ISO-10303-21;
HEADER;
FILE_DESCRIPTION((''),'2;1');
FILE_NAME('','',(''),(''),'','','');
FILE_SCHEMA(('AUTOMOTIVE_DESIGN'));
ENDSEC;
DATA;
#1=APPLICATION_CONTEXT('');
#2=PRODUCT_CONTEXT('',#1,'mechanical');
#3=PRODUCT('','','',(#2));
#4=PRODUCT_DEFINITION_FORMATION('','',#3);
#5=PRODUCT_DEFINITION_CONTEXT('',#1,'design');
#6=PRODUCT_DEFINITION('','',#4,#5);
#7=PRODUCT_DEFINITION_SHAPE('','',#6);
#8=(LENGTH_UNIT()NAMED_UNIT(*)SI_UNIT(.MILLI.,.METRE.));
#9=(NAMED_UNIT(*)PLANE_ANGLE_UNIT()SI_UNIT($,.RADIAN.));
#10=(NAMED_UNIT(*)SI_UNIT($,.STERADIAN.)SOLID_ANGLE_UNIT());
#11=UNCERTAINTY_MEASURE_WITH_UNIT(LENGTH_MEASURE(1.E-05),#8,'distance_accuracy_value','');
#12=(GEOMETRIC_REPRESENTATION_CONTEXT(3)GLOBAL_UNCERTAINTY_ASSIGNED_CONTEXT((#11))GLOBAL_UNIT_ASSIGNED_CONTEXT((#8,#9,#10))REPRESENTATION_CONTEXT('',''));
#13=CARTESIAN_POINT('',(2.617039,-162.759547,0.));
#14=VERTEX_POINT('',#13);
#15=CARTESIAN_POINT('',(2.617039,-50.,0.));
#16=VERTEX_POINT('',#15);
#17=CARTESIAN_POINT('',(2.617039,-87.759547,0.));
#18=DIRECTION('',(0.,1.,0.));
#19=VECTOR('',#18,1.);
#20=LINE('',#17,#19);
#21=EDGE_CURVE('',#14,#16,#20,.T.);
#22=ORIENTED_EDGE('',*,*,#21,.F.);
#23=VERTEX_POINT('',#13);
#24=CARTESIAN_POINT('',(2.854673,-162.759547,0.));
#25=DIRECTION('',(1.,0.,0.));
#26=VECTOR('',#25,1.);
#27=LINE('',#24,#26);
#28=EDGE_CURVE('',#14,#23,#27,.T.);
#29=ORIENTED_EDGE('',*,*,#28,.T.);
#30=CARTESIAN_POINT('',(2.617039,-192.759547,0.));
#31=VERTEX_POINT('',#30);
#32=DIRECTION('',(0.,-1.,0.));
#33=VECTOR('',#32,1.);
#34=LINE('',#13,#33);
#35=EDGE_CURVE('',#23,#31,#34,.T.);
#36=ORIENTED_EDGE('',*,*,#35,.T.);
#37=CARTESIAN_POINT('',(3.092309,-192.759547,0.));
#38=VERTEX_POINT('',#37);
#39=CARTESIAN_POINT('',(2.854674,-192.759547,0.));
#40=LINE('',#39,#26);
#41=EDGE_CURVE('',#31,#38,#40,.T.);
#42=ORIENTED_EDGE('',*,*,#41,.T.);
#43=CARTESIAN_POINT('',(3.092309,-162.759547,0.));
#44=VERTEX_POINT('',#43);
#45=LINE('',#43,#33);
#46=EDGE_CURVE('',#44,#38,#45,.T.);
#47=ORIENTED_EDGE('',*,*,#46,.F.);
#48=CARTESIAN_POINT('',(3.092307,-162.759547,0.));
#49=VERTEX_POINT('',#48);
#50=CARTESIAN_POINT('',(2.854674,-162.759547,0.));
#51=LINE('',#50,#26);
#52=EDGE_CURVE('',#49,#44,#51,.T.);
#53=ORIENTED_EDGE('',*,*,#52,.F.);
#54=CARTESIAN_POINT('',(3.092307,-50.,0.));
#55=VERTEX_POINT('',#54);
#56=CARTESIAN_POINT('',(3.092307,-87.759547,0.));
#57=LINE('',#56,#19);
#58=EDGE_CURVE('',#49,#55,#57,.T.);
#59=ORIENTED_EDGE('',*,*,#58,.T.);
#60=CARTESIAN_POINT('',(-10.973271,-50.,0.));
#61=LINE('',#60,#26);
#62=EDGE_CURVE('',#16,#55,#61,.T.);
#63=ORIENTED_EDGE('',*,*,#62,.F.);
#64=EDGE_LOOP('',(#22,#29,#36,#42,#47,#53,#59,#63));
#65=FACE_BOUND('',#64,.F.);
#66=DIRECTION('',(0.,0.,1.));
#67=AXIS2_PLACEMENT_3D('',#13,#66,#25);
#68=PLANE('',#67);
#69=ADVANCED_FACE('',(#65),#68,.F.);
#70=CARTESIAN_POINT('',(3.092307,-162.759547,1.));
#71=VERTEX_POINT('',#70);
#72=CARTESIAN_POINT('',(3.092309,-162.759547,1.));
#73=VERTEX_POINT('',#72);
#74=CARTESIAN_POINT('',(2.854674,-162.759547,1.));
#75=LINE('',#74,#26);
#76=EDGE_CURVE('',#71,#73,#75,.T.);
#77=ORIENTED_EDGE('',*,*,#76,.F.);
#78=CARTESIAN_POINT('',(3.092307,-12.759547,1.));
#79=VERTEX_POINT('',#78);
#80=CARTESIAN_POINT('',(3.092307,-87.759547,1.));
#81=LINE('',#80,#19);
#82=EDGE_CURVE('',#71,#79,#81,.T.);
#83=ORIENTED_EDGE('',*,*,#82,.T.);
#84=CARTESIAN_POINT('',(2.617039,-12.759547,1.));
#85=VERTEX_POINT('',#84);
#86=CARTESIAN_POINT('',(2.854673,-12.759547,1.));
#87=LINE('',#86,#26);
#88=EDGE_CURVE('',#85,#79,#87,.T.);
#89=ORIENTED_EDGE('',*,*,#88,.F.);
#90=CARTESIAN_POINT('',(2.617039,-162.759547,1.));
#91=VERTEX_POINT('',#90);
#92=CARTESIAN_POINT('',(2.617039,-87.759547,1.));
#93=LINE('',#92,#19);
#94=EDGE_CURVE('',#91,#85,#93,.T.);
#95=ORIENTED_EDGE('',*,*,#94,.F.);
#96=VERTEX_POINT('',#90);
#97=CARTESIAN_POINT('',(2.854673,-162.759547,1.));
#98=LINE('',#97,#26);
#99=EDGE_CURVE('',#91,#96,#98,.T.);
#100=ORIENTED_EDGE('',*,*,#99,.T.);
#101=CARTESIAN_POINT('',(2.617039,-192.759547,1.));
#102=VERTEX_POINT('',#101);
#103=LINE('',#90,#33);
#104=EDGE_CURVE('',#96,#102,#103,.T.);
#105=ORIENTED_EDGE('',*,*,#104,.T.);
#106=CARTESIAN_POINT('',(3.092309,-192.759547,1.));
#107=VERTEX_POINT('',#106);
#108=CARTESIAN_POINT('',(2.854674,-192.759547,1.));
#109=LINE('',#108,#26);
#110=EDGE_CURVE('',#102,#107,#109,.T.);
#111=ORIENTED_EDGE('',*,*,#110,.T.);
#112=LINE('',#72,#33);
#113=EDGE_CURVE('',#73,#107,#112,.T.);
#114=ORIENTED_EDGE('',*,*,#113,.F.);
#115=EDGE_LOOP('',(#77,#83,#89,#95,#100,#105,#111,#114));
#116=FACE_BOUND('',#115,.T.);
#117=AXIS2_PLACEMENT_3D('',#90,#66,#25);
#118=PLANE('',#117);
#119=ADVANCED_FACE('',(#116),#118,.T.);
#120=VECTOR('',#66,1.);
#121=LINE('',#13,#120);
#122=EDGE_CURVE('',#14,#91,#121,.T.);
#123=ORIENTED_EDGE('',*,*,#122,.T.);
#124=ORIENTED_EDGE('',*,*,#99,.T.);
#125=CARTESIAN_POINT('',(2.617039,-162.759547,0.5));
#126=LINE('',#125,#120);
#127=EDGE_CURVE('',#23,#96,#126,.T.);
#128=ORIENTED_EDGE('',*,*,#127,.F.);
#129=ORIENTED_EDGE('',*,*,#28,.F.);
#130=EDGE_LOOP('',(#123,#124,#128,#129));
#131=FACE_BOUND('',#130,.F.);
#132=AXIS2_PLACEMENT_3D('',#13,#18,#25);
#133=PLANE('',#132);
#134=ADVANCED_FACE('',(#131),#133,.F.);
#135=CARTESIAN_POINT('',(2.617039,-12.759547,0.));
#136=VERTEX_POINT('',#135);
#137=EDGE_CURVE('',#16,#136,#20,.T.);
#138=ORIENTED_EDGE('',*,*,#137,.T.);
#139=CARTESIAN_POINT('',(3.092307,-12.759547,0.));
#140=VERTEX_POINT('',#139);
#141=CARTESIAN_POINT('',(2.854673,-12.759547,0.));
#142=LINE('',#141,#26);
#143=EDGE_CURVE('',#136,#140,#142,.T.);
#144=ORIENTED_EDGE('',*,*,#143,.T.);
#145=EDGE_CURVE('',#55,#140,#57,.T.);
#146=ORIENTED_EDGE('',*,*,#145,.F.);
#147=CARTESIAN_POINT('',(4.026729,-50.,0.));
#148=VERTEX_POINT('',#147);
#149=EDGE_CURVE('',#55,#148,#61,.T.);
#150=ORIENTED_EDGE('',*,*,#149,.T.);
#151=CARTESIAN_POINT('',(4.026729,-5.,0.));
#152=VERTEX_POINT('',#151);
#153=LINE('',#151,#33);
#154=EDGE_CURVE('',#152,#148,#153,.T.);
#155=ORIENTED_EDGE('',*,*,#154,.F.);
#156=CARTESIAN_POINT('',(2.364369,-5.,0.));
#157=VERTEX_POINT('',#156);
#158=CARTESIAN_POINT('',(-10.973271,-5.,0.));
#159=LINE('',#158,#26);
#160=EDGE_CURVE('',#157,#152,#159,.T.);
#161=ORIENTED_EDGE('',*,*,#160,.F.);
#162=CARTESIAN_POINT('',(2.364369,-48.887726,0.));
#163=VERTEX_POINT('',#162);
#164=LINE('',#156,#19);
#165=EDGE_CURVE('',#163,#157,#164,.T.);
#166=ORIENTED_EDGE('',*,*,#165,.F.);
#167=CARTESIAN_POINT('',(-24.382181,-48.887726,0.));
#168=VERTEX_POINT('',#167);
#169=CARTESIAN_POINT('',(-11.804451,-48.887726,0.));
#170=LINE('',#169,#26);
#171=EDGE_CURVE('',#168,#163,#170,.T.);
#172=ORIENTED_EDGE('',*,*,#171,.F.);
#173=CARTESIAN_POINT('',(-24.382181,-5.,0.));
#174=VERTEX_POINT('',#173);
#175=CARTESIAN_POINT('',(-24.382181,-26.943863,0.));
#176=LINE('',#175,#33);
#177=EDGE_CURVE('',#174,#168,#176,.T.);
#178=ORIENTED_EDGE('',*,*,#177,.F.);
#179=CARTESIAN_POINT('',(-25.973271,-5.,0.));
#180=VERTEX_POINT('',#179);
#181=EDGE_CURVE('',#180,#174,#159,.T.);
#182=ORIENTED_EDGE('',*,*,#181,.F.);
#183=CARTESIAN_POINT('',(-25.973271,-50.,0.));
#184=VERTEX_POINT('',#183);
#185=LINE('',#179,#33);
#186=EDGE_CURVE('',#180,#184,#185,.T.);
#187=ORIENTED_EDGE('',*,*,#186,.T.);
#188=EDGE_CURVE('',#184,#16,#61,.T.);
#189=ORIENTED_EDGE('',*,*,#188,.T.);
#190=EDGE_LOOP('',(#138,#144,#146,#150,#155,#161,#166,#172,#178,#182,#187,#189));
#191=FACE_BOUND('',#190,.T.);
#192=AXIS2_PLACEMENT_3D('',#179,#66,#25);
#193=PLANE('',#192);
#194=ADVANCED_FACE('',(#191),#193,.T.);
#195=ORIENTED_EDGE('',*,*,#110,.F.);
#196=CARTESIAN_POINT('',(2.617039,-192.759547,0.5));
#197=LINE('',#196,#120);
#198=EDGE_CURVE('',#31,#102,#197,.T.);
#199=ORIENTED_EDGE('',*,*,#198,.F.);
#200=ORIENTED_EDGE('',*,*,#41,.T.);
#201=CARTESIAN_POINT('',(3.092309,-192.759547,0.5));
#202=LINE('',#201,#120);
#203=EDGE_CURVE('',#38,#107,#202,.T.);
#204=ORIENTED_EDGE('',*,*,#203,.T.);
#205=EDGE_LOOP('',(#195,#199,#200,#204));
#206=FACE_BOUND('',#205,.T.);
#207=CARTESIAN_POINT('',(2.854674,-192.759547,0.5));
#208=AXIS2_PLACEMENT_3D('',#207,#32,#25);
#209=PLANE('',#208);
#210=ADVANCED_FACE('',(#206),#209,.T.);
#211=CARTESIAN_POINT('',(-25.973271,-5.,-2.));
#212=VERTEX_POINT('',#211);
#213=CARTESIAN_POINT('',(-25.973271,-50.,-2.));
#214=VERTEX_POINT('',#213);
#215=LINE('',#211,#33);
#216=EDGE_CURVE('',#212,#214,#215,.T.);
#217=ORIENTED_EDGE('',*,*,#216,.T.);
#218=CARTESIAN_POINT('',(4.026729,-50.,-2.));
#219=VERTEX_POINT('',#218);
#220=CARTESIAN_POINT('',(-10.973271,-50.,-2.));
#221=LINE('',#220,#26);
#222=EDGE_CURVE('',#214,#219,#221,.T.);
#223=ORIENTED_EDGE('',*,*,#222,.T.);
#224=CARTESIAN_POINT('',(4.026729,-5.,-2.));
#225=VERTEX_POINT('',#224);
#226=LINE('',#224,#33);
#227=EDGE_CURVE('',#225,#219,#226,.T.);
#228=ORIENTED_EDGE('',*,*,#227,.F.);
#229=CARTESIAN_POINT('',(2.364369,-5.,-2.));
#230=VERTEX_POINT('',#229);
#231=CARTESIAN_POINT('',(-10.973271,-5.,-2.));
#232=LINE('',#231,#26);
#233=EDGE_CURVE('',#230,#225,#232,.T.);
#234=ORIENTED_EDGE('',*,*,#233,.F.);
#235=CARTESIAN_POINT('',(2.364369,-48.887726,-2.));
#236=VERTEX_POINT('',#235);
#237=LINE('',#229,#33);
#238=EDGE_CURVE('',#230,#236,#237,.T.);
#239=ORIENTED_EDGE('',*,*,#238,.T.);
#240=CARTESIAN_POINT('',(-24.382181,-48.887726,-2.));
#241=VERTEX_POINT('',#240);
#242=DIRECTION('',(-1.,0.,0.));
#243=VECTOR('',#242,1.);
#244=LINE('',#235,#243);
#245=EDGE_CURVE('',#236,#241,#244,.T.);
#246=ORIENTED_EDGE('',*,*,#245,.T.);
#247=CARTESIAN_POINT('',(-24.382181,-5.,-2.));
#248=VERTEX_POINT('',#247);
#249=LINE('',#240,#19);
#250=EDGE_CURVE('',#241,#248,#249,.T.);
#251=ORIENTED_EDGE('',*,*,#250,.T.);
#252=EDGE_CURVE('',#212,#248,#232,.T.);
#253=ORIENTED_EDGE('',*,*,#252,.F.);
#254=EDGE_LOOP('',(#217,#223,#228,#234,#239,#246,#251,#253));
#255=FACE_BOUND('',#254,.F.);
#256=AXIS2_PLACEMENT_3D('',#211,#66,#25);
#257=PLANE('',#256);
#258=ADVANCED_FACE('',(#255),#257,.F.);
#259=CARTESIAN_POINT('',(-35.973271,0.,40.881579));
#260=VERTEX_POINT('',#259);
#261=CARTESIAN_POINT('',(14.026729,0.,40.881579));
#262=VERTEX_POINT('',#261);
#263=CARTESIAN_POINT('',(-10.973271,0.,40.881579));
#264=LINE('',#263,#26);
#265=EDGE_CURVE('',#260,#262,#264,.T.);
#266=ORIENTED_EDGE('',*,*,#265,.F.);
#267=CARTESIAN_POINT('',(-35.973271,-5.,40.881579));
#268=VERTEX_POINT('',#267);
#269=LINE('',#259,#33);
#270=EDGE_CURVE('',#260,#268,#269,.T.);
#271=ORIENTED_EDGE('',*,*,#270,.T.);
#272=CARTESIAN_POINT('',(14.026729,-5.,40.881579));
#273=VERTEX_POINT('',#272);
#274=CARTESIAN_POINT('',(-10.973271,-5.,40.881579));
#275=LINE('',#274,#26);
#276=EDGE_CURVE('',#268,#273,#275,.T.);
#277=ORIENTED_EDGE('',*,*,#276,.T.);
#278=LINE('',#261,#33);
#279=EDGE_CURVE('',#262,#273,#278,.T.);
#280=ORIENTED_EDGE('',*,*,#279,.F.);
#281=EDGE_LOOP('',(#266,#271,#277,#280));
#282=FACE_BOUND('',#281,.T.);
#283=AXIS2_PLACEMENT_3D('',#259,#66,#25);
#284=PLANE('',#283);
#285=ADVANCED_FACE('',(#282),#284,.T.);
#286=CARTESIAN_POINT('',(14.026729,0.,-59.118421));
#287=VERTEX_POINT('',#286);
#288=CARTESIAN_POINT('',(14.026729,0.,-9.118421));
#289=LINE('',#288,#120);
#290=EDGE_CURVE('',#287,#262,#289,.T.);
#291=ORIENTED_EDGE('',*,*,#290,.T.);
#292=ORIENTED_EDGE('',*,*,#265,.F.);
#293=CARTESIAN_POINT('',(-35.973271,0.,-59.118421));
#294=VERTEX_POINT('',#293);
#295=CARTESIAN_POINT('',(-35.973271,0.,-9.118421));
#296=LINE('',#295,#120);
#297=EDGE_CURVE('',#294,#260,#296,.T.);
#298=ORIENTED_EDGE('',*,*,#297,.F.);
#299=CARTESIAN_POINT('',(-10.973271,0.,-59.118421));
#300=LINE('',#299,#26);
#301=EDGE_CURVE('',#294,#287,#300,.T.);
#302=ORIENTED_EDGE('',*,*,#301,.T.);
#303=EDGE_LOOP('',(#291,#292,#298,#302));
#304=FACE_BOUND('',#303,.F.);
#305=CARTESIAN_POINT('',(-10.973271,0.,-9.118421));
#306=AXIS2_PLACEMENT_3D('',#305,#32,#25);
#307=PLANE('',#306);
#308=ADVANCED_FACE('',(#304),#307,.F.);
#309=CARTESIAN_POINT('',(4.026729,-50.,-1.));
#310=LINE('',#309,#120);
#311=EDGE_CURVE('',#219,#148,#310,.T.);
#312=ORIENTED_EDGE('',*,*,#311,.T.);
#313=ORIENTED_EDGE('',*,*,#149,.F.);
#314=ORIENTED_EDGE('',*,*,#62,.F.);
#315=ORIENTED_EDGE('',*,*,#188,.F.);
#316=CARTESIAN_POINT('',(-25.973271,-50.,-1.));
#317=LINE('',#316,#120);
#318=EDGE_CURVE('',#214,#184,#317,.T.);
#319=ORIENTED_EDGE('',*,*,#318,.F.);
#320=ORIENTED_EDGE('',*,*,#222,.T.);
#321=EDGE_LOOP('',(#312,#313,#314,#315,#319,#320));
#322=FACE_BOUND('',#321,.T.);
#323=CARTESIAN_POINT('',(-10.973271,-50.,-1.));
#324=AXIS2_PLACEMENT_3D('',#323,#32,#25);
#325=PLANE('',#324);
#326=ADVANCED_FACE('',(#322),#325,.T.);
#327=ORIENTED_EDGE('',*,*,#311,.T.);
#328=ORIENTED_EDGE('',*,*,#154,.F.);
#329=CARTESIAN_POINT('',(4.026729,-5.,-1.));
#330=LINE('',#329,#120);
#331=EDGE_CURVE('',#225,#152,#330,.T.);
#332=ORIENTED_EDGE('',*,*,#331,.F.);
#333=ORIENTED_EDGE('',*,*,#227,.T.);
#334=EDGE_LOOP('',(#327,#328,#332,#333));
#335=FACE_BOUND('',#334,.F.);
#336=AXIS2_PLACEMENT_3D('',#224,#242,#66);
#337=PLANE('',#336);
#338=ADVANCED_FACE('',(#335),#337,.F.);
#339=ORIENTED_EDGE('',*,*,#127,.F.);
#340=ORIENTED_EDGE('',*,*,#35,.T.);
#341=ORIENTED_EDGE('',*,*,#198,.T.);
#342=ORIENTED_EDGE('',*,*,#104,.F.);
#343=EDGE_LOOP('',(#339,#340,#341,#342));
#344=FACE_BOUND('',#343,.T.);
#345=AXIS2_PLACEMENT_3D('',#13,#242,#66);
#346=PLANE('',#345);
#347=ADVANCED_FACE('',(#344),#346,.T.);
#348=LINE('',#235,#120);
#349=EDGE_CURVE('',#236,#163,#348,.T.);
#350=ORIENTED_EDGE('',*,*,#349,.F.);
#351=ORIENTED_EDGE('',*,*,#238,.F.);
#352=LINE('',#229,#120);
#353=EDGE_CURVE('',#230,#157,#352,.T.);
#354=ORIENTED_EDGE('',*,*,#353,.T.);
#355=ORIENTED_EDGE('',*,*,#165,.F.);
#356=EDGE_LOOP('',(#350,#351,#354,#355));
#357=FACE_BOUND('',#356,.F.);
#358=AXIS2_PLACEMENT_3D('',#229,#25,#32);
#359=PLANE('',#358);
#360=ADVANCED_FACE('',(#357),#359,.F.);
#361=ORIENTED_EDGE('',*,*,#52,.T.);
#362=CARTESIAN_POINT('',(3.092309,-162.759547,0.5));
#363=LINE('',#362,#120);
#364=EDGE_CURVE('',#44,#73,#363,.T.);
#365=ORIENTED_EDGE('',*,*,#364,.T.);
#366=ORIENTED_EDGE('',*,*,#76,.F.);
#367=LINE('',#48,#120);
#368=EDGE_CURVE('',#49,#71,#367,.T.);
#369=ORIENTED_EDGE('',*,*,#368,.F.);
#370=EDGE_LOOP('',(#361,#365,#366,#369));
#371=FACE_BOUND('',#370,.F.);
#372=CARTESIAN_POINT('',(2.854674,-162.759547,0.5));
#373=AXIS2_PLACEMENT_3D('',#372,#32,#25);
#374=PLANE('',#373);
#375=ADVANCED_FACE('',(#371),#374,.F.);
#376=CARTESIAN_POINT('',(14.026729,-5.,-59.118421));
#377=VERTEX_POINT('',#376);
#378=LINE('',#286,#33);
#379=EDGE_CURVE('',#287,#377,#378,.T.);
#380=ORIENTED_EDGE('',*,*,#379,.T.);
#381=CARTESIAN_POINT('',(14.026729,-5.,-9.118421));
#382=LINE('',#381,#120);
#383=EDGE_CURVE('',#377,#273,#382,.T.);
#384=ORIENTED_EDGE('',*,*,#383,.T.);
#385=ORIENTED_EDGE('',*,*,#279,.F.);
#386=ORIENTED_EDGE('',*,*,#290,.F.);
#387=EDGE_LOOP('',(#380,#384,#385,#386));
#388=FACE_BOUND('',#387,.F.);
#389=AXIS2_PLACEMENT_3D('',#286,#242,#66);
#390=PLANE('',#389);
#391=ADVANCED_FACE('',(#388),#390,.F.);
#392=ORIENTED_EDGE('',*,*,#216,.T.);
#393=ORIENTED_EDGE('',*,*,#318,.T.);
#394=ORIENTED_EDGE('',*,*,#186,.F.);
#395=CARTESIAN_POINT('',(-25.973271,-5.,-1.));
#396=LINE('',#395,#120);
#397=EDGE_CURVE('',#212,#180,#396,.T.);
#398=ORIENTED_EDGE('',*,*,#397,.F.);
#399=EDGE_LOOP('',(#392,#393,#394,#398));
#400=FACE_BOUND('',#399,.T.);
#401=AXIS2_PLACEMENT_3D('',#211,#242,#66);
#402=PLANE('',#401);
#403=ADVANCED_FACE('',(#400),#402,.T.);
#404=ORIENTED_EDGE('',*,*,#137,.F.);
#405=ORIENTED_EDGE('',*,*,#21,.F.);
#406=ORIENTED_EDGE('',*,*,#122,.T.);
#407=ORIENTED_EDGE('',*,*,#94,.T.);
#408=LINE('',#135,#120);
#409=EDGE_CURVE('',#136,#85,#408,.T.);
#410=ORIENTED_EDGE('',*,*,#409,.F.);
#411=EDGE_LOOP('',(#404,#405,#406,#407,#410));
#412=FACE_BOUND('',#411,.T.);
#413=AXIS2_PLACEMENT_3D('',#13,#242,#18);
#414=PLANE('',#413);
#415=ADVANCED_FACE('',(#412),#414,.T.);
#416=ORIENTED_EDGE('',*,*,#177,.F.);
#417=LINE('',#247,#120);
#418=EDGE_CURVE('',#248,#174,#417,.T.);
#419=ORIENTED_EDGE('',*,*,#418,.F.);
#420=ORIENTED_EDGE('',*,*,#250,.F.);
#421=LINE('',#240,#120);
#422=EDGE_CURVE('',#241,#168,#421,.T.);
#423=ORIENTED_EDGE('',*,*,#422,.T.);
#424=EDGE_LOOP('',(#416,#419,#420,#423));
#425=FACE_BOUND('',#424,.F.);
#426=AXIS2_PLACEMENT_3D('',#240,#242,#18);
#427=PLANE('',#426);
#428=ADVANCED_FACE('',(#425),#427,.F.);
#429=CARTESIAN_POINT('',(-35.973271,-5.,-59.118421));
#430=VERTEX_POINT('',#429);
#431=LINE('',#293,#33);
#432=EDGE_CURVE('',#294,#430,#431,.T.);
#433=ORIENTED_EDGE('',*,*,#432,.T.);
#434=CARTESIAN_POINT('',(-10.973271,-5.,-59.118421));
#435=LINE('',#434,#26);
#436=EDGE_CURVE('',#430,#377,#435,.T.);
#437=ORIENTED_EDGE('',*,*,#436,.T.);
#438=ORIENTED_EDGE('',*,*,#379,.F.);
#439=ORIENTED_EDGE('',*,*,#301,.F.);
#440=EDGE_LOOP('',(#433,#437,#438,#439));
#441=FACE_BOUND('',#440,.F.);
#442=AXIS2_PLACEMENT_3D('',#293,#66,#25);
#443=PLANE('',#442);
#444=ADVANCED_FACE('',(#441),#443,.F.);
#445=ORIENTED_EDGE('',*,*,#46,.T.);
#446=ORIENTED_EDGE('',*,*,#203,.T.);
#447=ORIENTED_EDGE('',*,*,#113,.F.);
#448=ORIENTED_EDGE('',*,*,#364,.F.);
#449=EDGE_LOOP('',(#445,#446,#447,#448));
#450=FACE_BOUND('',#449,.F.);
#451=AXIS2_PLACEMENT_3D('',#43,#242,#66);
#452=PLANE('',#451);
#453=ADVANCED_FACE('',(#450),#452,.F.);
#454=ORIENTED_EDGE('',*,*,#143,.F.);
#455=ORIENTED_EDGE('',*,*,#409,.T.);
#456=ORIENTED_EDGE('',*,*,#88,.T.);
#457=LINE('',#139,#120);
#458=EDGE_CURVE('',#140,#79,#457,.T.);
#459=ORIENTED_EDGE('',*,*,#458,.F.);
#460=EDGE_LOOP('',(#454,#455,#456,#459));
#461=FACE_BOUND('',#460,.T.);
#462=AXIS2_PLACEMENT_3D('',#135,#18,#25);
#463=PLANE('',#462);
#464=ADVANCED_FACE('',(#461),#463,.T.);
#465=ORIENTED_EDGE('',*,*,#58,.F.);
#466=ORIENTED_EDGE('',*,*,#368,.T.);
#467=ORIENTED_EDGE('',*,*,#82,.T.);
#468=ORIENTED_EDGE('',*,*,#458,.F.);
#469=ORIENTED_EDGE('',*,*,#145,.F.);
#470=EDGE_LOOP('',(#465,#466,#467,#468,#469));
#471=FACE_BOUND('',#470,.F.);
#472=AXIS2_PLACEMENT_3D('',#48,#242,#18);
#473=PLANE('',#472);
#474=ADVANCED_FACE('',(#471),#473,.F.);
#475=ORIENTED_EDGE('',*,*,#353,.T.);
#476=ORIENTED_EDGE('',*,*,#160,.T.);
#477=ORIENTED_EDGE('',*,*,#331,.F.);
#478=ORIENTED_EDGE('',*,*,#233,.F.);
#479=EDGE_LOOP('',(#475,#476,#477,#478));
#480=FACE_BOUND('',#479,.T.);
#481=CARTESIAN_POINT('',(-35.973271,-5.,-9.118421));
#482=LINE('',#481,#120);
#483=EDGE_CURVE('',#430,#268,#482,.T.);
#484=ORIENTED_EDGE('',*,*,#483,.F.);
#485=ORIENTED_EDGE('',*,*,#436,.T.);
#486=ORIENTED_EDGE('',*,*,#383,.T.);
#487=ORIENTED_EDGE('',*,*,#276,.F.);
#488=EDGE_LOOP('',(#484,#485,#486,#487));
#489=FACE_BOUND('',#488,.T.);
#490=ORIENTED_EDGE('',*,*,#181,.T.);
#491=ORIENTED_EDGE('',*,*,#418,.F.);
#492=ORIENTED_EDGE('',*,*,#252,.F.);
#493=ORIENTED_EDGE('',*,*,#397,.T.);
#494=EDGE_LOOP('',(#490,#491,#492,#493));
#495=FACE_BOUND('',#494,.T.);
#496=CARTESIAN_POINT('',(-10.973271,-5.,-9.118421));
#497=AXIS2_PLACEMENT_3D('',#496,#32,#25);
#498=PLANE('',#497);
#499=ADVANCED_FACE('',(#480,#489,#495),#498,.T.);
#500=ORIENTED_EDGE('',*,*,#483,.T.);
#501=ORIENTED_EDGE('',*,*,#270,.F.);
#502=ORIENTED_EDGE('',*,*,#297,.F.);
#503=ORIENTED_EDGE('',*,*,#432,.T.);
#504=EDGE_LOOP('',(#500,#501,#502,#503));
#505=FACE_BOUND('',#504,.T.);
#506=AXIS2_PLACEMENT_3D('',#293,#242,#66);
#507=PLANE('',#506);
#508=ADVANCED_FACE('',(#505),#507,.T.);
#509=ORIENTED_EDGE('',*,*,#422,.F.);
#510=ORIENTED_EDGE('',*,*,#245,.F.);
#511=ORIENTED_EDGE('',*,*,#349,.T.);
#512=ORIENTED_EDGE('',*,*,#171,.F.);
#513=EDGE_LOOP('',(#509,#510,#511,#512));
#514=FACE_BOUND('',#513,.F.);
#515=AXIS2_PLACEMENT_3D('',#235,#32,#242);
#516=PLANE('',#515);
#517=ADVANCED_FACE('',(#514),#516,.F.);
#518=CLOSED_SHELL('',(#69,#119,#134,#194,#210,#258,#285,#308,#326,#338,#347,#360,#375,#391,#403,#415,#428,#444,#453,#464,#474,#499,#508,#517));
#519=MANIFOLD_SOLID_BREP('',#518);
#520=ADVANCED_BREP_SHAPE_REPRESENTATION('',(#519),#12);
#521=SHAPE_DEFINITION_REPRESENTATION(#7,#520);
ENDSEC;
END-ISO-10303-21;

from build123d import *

# Parameters (mm, degrees)
F0_W      = 50
F0_H      = 100
F1_DEPTH  = 5
F2_W      = 30
F2_H      = 2
F3_DEPTH  = 45
F5_DEPTH  = 41
F6_W      = 0.475269
F6_H      = 150
F7_DEPTH  = 1
F7_FACE_W = 0.47527
F7_FACE_H = 1
F8_DEPTH  = 30


with BuildPart() as f1:
    # F0 (on Front) → F1 (new body)
    with BuildSketch(Plane.XZ):
        with Locations((-10.973271, -9.118421)):
            Rectangle(F0_W, F0_H)
    extrude(amount=F1_DEPTH)

    # F2 (on face) → F3 (join)
    with BuildSketch(Plane.XZ.offset(5)):
        with Locations((-10.973271, -1)):
            Rectangle(F2_W, F2_H)
    extrude(amount=F3_DEPTH)

    # F4 (on face) → F5 (cut)
    with BuildSketch(Plane(origin=(0, 0, -2), x_dir=(1, 0, 0), z_dir=(0, 0, -1))):
        Polygon((-24.382181, 5), (-21.973271, 5), (0, 5), (2.364369, 5), (2.364369, 48.887726), (-24.382181, 48.887726), align=None)
    extrude(amount=-F5_DEPTH, mode=Mode.SUBTRACT)

    # F6 (on face) → F7 (join)
    with BuildSketch(Plane.XY):
        with Locations((2.854673, -87.759547)):
            Rectangle(F6_W, F6_H)
    extrude(amount=F7_DEPTH)

    # F7_face (on face) → F8 (join)
    with BuildSketch(Plane(origin=(2.854674, -162.759547, 0.5), x_dir=(1, 0, 0), z_dir=(0, -1, 0))):
        Rectangle(F7_FACE_W, F7_FACE_H)
    extrude(amount=F8_DEPTH)


solid = f1.part
